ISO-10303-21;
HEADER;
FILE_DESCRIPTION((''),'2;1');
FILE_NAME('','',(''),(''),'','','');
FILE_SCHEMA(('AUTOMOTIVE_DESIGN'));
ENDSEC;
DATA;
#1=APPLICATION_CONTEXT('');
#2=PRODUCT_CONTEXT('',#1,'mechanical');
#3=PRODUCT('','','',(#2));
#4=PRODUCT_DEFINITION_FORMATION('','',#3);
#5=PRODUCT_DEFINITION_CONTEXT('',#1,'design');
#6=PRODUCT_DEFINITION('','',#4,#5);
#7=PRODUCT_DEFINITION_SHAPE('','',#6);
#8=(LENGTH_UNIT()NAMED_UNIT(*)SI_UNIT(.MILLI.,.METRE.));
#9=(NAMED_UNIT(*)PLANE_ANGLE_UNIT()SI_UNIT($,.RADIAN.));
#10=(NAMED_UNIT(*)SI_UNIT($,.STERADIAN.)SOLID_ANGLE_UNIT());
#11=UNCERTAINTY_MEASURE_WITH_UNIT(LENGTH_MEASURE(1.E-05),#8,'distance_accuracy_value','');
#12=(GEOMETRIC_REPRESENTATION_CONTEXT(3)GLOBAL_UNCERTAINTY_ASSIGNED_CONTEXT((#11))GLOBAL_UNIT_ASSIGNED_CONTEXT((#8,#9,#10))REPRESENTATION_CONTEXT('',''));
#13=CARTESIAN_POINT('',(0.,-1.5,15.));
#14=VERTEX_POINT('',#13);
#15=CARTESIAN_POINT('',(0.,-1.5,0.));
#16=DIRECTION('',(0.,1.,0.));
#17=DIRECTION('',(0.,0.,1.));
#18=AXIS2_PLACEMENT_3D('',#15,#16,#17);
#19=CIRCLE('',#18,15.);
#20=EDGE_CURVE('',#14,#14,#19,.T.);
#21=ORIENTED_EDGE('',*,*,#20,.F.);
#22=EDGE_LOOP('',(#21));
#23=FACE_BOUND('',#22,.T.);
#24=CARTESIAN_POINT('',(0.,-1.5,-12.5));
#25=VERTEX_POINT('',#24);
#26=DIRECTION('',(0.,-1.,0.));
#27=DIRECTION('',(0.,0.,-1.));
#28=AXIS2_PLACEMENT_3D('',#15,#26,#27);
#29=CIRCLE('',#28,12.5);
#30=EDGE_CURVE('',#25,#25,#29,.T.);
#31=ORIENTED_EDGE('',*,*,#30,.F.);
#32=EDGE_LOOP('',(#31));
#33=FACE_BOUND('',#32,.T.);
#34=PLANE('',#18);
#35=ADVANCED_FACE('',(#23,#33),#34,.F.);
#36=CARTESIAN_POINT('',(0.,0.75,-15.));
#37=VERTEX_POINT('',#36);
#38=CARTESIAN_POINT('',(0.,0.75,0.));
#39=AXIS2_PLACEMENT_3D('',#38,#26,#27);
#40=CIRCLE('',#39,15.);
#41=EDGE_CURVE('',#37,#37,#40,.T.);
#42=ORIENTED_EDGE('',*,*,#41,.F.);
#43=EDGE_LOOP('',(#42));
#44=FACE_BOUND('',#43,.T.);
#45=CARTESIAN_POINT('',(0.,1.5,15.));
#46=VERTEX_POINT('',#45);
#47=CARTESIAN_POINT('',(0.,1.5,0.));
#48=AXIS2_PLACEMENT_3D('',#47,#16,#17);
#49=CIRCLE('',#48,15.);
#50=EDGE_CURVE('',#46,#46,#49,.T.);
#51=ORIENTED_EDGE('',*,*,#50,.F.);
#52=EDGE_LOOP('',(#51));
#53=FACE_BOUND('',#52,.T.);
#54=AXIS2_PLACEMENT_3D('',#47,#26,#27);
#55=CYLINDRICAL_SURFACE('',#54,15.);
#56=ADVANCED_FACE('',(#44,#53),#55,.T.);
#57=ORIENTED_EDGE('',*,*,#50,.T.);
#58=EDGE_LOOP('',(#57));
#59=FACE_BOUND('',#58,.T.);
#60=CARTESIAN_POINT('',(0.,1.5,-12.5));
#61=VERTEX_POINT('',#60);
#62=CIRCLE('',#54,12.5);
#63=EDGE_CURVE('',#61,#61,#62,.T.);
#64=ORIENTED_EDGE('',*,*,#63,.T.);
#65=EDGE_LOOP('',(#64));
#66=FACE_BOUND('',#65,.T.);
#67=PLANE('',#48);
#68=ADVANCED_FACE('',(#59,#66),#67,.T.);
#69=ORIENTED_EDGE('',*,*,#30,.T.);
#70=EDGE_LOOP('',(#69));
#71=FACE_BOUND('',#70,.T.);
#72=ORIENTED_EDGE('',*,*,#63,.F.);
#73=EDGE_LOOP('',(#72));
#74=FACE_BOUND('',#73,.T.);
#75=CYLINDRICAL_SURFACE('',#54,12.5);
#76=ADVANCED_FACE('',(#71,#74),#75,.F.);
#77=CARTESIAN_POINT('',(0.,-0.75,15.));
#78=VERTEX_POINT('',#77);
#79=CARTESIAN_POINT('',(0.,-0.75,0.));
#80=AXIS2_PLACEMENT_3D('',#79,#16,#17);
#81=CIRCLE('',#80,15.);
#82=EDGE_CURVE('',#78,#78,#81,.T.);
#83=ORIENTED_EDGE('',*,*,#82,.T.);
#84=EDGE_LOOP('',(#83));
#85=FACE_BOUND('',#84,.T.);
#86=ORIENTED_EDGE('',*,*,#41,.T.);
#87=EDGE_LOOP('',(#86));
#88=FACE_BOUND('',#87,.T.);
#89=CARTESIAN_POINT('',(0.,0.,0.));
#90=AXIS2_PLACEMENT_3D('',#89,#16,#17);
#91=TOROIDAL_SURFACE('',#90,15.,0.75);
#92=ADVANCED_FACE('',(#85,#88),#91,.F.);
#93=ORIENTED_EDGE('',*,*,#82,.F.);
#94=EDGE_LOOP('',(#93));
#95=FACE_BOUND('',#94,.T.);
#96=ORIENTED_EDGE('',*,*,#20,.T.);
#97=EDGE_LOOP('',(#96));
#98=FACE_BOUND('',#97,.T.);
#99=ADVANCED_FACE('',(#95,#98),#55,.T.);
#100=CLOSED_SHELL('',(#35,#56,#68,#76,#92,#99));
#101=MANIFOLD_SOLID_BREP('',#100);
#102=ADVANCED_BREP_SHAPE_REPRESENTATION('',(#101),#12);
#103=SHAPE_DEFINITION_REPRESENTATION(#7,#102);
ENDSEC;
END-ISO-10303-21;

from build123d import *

# Parameters (mm, degrees)
CROQUIS1_R              = 15
SALIENTE_EXTRUIR1_DEPTH = 1.5
CROQUIS2_R              = 0.75
CROQUIS4_R              = 12.5
CORTAR_EXTRUIR1_DEPTH   = 22.424285286


with BuildPart() as part:
    # Croquis1 → Saliente-Extruir1 (new, symmetric)
    with BuildSketch(Plane(origin=(0, 0, 0), x_dir=(1, 0, 0), z_dir=(0, 1, 0))):
        with Locations(Location((0, 0, 0), (0, 0, 270))):
            Circle(CROQUIS1_R)
    extrude(amount=SALIENTE_EXTRUIR1_DEPTH, both=True)

    # Croquis2 → Cortar-Revolución1 (revolve, cut)
    with BuildSketch(Plane(origin=(0, 0, 0), x_dir=(0, 0, -1), z_dir=(1, 0, 0)), mode=Mode.PRIVATE) as cortar_revoluci_n1_sk:
        with Locations((15, 0)):
            Circle(CROQUIS2_R)
    revolve(cortar_revoluci_n1_sk.sketch.rotate(Axis((0, 1.5, 0), (0, -1, 0)), 180), axis=Axis((0, 1.5, 0), (0, -1, 0)), mode=Mode.SUBTRACT)

    # Croquis4 → Cortar-Extruir1 (cut, through all)
    with BuildSketch(Plane.XZ.offset(1.5)):
        with Locations(Location((0, 0, 0), (0, 0, 270))):
            Circle(CROQUIS4_R)
    extrude(amount=-CORTAR_EXTRUIR1_DEPTH, mode=Mode.SUBTRACT)


solid = part.part
